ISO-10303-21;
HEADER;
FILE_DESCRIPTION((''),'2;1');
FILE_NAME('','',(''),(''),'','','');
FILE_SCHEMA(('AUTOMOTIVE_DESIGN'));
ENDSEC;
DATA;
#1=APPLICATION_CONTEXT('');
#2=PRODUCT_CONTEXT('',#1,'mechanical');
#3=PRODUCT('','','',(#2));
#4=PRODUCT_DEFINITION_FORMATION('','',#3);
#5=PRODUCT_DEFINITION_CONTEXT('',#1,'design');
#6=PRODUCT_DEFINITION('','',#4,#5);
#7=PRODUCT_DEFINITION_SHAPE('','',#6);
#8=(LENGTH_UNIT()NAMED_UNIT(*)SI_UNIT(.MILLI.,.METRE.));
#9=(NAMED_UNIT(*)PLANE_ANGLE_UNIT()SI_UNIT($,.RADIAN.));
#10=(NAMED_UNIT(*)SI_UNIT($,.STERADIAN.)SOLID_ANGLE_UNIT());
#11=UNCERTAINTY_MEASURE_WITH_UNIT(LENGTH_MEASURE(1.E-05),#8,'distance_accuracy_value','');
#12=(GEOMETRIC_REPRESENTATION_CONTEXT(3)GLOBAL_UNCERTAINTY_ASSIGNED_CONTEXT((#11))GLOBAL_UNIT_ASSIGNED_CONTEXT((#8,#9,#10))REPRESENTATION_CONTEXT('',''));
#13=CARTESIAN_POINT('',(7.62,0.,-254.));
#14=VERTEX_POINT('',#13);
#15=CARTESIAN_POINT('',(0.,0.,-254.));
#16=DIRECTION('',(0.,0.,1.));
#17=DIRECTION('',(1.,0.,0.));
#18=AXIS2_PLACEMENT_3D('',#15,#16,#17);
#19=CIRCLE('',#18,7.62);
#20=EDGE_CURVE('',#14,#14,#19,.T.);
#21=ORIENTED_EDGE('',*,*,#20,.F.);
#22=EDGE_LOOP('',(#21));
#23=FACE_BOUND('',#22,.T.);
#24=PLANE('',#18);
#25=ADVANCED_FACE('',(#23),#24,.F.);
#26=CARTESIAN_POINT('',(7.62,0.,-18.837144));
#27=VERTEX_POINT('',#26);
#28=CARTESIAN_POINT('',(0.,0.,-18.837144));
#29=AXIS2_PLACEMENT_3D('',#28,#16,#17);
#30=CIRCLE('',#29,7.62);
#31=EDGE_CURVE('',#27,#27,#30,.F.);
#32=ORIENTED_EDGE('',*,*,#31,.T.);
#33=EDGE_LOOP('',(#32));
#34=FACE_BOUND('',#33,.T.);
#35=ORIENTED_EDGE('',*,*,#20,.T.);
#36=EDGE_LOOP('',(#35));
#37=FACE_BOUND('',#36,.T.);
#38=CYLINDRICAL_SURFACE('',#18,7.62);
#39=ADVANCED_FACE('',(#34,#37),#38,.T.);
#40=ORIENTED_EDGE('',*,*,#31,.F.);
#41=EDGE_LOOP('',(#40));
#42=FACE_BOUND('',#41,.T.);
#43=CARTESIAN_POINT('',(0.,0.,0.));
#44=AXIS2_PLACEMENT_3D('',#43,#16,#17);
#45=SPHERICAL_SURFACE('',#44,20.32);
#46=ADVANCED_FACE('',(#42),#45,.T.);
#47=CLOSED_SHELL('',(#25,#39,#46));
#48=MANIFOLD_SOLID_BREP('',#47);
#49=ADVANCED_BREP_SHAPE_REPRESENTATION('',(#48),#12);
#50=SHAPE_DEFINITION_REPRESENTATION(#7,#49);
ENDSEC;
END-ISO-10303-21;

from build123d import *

# Parameters (mm, degrees)
SKETCH1_R          = 7.62
BASE_EXTRUDE_DEPTH = 254


with BuildPart() as part:
    # Sketch1 → Base-Extrude (new body)
    with BuildSketch(Plane.XY):
        Circle(SKETCH1_R)
    extrude(amount=-BASE_EXTRUDE_DEPTH)

    # Sketch5 → Boss-Revolve1 (revolve)
    with BuildSketch(Plane.XY):
        with BuildLine():
            Line((0, 20.32), (0, -20.32))
            ThreePointArc((0, -20.32), (20.32, 0), (0, 20.32))
        make_face()
    revolve(axis=Axis((0, 20.32, 0), (0, -1, 0)))


solid = part.part
